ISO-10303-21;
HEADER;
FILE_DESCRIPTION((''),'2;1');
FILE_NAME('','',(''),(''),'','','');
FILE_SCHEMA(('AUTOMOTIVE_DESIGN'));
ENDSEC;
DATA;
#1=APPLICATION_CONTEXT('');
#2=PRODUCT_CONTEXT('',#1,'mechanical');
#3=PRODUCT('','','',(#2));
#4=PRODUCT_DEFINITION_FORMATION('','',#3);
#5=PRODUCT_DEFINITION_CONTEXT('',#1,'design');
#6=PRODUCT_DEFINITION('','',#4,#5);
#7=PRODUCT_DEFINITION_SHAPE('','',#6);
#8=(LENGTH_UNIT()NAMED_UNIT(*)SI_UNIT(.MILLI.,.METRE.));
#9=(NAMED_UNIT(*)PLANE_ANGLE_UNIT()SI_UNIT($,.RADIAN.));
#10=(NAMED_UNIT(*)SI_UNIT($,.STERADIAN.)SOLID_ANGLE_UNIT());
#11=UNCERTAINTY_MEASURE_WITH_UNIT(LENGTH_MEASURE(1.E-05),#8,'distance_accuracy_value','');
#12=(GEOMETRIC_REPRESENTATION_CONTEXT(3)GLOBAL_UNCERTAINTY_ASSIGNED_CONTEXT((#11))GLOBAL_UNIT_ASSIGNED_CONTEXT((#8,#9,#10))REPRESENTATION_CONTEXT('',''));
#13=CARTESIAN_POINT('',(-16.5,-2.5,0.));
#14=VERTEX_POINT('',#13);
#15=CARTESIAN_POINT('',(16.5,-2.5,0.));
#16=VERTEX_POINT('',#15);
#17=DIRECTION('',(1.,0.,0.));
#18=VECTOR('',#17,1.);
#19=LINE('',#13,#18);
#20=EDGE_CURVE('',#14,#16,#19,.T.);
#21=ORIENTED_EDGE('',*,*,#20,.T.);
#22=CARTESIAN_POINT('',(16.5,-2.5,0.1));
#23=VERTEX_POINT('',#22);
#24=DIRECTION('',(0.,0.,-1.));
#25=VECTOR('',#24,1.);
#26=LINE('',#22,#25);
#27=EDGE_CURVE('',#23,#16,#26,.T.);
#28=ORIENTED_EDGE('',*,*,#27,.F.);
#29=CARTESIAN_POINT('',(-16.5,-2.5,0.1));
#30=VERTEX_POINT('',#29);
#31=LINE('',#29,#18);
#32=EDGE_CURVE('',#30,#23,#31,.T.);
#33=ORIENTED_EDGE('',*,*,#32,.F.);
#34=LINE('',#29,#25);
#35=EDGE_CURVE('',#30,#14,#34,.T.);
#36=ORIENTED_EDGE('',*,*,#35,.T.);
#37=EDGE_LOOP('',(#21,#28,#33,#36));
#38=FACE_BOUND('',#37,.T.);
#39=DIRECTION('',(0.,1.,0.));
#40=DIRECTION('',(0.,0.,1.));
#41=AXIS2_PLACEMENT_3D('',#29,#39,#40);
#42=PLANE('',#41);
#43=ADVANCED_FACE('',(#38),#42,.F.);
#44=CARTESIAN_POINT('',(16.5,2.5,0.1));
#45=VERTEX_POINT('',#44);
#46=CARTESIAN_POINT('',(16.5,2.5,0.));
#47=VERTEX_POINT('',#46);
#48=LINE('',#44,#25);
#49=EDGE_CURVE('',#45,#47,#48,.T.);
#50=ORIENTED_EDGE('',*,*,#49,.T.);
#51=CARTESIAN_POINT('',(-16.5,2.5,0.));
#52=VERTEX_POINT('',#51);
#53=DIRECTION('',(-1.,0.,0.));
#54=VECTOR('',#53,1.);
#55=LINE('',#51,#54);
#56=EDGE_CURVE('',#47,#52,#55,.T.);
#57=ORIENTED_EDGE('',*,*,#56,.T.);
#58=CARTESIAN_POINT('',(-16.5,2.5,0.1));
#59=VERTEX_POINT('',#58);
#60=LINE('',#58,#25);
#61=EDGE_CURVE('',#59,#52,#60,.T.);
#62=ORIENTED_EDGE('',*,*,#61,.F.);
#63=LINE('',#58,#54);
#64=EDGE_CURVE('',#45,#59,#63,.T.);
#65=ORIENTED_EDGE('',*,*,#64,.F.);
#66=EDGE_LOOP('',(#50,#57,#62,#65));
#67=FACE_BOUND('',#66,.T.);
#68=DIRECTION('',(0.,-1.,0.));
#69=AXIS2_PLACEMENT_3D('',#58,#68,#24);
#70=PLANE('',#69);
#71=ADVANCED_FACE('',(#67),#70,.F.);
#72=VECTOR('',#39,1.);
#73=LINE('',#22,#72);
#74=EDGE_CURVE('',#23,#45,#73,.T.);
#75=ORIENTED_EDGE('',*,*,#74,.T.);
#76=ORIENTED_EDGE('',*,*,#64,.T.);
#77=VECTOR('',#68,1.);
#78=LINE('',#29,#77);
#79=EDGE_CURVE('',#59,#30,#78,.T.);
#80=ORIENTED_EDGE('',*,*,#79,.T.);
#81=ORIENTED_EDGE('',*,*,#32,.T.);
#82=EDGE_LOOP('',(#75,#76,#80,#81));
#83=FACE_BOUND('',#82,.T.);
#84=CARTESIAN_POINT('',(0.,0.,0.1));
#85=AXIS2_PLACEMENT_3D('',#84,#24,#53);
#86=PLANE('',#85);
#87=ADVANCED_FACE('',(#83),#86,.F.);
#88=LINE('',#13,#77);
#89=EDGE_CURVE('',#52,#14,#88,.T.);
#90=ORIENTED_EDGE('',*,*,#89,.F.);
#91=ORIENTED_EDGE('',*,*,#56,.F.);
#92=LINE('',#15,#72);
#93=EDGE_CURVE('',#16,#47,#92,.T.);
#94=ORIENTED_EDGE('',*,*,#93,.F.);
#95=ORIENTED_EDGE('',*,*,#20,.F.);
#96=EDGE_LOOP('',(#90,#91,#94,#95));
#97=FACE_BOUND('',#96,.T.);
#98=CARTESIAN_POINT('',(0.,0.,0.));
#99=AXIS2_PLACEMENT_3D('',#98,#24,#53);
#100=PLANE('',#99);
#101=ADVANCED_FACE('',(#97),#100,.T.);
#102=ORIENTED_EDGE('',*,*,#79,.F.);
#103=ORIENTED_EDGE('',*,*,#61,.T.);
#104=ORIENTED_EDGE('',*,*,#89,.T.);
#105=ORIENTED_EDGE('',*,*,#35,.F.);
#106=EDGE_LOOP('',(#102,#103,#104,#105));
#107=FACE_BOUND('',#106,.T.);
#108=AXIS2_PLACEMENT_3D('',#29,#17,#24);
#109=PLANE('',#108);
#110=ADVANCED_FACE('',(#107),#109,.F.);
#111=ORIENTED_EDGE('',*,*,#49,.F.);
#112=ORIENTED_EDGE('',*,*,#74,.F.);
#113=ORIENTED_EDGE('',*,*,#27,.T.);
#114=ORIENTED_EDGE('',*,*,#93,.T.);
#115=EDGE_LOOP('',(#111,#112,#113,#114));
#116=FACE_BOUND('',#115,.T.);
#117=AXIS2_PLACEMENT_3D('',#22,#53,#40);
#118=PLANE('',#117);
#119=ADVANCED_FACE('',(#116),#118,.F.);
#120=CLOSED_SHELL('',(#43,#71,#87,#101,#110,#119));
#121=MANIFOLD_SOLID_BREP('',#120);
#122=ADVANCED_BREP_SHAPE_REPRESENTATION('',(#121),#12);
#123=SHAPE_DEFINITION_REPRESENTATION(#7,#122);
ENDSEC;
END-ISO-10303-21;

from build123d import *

# Parameters (mm, degrees)
SKETCH_1_W      = 33
SKETCH_1_H      = 5
EXTRUDE_1_DEPTH = 0.1


with BuildPart() as part:
    # 草图1 → 凸台-拉伸1 (new body)
    with BuildSketch(Plane.XY):
        Rectangle(SKETCH_1_W, SKETCH_1_H)
    extrude(amount=EXTRUDE_1_DEPTH)


solid = part.part
